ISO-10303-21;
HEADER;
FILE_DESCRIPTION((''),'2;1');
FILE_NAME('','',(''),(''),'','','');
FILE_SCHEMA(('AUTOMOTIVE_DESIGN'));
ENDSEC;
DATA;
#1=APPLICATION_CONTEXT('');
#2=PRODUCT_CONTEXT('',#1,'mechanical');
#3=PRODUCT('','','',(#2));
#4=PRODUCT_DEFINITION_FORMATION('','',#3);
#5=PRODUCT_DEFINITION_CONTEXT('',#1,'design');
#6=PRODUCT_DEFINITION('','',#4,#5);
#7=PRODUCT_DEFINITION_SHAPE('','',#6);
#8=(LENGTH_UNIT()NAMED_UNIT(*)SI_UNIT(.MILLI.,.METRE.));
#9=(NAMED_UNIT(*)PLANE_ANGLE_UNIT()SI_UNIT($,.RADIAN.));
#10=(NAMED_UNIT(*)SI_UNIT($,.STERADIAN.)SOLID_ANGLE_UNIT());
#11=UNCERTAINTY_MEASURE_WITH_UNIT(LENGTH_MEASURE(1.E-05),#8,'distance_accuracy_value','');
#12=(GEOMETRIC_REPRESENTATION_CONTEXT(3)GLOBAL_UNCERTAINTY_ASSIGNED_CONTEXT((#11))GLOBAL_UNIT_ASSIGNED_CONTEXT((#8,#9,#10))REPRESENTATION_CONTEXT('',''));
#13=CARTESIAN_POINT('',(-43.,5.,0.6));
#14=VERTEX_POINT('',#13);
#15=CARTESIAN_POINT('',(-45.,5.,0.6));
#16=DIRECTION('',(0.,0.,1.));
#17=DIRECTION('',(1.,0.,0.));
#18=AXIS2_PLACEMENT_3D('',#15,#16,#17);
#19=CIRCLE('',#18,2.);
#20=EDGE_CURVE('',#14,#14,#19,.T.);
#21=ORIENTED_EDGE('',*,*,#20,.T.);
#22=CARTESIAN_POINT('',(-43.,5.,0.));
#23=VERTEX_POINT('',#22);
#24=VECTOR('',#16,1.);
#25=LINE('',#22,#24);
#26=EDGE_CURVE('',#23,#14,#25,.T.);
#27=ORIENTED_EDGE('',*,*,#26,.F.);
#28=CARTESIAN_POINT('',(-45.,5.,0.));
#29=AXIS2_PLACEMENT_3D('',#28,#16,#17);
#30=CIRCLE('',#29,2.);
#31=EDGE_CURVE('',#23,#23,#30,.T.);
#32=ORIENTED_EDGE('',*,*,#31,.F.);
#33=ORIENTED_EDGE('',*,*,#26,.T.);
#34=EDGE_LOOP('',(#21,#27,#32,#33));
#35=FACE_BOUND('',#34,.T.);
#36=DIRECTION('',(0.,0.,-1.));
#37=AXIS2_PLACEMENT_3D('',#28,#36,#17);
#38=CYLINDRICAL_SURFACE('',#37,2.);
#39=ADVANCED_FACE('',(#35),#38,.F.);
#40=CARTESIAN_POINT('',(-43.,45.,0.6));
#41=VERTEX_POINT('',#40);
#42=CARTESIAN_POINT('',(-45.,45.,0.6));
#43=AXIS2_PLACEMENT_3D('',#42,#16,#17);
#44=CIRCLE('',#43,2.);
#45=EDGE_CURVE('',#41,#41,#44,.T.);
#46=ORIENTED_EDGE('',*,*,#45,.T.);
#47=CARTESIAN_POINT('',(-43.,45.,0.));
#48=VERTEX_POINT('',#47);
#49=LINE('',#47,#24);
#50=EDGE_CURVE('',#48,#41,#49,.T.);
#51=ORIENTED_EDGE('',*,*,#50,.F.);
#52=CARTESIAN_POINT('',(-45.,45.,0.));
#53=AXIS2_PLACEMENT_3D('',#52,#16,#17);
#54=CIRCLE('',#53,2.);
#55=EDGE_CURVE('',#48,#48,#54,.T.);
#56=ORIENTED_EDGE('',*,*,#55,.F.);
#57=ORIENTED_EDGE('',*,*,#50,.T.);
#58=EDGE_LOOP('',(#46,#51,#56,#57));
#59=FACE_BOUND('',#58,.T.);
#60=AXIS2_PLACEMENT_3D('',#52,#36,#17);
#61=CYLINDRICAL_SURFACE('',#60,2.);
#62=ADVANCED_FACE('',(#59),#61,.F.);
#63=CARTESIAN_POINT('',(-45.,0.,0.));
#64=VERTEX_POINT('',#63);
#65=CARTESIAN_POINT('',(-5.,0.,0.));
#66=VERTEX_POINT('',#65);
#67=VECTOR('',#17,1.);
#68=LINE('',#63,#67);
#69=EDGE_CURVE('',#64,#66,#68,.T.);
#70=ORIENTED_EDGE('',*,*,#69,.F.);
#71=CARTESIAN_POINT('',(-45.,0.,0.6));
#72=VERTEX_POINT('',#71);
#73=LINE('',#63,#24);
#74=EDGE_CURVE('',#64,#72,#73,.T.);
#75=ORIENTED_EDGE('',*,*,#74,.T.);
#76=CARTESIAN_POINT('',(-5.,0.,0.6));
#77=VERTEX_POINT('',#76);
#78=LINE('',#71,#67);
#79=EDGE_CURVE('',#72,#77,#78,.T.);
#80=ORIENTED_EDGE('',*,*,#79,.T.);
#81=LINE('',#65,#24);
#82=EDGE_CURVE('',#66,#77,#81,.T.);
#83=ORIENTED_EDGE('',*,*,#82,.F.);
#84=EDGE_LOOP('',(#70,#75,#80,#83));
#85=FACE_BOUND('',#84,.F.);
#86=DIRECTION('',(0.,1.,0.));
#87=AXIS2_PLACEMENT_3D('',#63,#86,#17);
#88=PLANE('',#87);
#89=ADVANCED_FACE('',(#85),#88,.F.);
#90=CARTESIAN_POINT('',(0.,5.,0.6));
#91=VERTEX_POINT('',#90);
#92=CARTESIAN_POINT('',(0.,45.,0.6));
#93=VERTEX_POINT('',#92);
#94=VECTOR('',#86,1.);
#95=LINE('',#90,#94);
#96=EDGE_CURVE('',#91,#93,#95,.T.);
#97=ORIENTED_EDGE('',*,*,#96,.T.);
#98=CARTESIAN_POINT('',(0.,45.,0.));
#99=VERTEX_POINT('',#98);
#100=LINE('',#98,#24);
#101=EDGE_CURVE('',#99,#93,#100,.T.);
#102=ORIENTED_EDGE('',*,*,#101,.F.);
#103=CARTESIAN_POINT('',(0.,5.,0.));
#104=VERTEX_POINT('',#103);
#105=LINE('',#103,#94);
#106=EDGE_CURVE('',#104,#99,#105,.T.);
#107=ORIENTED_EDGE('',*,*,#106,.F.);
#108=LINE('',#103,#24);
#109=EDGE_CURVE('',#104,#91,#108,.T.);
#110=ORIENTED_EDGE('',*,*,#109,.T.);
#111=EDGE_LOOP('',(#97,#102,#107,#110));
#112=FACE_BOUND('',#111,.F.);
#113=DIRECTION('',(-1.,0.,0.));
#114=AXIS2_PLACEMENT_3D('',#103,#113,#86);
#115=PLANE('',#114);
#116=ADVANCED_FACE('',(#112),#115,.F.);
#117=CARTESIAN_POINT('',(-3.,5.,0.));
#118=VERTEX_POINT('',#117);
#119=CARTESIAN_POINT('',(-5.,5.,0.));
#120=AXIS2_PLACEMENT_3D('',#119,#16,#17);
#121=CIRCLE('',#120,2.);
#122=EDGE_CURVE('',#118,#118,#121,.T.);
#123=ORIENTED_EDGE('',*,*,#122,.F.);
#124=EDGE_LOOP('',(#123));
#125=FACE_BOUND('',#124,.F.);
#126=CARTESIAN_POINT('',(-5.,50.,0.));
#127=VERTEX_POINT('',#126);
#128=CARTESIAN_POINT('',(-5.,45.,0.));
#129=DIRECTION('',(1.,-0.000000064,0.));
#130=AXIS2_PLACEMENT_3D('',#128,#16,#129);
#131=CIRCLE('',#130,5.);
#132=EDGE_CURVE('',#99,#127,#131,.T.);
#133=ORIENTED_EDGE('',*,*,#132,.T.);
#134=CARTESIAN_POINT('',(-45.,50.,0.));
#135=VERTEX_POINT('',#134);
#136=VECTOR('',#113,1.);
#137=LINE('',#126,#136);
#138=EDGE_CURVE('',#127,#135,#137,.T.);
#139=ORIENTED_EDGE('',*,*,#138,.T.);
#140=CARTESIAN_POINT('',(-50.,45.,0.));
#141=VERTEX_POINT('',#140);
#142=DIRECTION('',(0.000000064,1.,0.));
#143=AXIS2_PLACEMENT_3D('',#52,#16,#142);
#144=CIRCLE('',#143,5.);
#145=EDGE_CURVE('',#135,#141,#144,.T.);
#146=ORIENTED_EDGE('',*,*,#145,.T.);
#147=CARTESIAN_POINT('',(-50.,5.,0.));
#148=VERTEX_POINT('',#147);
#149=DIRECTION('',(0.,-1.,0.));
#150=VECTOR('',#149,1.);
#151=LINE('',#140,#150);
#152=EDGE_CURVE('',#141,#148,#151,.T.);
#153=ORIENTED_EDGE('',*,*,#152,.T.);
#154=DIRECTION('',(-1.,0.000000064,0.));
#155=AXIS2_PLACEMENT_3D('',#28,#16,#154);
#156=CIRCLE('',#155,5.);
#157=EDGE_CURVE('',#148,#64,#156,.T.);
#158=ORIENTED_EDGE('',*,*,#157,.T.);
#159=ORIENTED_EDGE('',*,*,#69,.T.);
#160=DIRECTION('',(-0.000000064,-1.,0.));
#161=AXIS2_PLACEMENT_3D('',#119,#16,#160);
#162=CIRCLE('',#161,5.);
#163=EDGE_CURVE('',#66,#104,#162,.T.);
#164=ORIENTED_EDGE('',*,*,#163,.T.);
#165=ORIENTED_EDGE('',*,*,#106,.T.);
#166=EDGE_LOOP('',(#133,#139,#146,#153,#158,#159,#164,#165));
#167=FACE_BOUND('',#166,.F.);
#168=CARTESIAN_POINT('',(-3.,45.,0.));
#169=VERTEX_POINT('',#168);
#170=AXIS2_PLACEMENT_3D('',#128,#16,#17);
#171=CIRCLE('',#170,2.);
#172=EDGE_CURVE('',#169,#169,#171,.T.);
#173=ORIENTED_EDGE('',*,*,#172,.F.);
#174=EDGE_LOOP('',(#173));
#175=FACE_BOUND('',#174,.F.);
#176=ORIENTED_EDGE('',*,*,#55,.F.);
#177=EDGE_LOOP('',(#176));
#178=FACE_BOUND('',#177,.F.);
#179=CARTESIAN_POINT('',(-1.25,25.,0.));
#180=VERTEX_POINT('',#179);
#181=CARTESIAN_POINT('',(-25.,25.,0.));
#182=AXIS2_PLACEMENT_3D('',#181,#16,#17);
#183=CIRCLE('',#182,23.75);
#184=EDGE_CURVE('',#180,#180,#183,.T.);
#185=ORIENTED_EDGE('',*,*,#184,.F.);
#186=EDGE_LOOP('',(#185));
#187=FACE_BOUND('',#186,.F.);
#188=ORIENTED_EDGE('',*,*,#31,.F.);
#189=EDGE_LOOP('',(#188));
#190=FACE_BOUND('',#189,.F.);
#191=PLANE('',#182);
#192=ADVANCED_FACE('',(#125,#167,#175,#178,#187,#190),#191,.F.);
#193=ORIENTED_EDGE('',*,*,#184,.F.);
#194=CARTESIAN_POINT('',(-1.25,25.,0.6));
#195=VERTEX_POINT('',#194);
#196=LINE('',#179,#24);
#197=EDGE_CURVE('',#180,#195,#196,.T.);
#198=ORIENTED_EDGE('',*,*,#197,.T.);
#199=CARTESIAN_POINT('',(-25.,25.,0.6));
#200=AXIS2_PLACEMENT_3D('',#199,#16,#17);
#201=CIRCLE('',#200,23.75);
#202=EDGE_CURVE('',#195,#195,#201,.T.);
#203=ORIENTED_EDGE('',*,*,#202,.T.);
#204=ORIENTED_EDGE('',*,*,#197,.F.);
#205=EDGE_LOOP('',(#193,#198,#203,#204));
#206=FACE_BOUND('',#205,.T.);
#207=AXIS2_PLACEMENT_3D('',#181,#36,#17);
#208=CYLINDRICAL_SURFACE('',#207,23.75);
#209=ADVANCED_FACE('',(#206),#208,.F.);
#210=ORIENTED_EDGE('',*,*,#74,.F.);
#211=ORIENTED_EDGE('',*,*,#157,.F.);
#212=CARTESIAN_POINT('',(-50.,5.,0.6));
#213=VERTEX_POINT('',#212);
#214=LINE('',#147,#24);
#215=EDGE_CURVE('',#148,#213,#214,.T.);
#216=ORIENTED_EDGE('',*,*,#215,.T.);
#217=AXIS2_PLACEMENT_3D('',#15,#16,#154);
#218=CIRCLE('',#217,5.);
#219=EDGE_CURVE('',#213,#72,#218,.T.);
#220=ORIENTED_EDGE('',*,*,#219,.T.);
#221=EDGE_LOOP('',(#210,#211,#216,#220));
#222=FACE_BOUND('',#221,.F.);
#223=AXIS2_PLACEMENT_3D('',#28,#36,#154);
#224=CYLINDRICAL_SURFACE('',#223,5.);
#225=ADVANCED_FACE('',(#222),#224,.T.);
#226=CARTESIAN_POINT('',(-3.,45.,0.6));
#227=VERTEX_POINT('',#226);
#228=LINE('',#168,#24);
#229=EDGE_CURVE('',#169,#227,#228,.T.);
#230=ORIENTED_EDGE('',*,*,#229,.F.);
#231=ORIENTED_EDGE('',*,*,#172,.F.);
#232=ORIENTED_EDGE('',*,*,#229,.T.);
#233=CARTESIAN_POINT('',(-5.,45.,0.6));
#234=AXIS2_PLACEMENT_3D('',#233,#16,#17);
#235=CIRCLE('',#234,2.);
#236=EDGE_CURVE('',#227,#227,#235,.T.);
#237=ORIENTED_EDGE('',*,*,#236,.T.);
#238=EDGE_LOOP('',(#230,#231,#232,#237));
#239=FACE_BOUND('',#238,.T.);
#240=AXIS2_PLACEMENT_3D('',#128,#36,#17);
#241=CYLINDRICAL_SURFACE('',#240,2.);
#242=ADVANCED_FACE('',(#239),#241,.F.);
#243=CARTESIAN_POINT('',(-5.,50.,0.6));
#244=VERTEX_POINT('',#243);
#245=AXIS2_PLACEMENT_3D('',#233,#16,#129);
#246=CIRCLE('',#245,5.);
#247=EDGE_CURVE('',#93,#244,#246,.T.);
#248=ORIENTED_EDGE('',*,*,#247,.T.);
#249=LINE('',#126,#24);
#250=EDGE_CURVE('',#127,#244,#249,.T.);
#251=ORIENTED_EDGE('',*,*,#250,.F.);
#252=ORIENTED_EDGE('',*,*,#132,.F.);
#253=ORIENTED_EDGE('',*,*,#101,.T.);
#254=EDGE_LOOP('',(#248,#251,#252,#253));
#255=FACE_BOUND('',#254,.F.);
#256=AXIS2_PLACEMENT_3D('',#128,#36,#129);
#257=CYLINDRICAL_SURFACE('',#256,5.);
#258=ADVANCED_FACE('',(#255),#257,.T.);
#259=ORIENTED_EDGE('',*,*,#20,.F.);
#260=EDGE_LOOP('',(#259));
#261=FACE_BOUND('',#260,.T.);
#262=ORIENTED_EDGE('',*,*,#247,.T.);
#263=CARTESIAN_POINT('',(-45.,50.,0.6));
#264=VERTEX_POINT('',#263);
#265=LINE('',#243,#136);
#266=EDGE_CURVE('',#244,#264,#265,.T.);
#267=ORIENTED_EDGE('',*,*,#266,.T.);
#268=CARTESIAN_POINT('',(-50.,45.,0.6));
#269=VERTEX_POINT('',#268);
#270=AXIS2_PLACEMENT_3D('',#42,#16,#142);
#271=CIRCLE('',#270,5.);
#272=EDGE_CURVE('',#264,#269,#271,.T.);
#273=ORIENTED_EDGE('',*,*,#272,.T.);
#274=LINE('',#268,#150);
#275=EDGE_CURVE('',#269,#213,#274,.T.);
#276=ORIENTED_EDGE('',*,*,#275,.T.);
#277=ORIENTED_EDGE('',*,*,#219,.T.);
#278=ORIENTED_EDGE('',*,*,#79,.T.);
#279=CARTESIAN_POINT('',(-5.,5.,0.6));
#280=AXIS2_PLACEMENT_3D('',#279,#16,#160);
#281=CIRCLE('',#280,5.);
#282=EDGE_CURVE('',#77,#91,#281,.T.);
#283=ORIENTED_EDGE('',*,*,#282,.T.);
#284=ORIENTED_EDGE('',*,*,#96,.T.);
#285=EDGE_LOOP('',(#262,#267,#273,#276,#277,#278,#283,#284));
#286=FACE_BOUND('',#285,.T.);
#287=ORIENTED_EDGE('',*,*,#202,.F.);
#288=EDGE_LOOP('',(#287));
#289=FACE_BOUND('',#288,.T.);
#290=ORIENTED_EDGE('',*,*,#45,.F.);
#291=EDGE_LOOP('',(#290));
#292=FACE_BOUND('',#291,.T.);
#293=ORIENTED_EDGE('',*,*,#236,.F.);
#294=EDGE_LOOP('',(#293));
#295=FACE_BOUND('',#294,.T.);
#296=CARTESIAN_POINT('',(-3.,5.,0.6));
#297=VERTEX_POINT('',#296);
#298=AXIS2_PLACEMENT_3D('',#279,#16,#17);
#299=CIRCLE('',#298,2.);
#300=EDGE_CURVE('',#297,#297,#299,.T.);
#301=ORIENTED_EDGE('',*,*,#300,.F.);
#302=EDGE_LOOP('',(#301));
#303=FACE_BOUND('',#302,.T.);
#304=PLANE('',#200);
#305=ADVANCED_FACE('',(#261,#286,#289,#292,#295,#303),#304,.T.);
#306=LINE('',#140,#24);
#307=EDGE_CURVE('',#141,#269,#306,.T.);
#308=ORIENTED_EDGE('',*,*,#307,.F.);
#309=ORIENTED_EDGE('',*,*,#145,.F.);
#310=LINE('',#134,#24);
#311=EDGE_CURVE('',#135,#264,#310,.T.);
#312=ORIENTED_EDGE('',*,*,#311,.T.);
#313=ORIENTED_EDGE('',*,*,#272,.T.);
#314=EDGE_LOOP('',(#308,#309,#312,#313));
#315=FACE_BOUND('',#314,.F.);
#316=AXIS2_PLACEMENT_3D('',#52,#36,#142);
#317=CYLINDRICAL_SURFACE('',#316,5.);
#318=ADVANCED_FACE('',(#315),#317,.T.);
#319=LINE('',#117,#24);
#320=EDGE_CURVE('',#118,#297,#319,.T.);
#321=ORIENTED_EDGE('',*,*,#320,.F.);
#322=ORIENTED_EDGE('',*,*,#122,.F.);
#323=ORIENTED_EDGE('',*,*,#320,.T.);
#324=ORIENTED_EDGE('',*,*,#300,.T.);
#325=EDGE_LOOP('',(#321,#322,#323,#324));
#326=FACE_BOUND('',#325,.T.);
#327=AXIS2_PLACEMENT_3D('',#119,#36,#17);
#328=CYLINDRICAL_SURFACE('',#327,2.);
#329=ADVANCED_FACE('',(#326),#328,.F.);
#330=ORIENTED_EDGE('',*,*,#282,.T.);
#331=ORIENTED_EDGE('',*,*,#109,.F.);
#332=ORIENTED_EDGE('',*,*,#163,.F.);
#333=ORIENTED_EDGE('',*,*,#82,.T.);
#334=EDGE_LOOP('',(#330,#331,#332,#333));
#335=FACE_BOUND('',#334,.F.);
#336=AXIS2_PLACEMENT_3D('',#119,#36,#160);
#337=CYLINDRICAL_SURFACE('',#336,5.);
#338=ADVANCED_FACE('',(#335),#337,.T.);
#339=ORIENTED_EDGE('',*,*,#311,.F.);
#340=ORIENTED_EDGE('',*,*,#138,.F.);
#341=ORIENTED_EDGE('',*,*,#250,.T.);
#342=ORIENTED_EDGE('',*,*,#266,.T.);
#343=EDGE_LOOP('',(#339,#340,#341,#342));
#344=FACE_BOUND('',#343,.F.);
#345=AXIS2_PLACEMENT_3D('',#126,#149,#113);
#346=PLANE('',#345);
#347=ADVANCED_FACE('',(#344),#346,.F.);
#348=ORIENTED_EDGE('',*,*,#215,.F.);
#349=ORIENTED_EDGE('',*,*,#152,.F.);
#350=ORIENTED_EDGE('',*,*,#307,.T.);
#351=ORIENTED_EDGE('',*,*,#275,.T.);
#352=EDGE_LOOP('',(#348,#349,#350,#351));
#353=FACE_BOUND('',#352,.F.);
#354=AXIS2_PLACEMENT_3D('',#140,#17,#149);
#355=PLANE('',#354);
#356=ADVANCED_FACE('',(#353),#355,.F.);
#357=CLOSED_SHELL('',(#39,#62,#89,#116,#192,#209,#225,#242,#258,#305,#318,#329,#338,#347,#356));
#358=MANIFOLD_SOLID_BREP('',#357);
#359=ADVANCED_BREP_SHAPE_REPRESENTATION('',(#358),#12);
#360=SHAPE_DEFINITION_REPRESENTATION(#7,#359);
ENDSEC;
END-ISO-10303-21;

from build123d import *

# Parameters (mm, degrees)
F0_R     = 2
F0_R_2   = 23.75
F1_DEPTH = 0.6


with BuildPart() as f1:
    # F0 (on Top) → F1 (new body)
    with BuildSketch(Plane.XY):
        with BuildLine():
            Line((-45, 0), (-5, 0))
            ThreePointArc((-5, 0), (-1.464466, 1.464466), (0, 5))
            Line((0, 5), (0, 45))
            ThreePointArc((0, 45), (-1.464466, 48.535534), (-5, 50))
            Line((-5, 50), (-45, 50))
            ThreePointArc((-45, 50), (-48.535534, 48.535534), (-50, 45))
            Line((-50, 45), (-50, 5))
            ThreePointArc((-50, 5), (-48.535534, 1.464466), (-45, 0))
        make_face()
        with Locations((-45, 5)):
            Circle(F0_R, mode=Mode.SUBTRACT)
        with Locations((-5, 5)):
            Circle(F0_R, mode=Mode.SUBTRACT)
        with Locations((-45, 45)):
            Circle(F0_R, mode=Mode.SUBTRACT)
        with Locations((-25, 25)):
            Circle(F0_R_2, mode=Mode.SUBTRACT)
        with Locations((-5, 45)):
            Circle(F0_R, mode=Mode.SUBTRACT)
    extrude(amount=F1_DEPTH)


solid = f1.part
